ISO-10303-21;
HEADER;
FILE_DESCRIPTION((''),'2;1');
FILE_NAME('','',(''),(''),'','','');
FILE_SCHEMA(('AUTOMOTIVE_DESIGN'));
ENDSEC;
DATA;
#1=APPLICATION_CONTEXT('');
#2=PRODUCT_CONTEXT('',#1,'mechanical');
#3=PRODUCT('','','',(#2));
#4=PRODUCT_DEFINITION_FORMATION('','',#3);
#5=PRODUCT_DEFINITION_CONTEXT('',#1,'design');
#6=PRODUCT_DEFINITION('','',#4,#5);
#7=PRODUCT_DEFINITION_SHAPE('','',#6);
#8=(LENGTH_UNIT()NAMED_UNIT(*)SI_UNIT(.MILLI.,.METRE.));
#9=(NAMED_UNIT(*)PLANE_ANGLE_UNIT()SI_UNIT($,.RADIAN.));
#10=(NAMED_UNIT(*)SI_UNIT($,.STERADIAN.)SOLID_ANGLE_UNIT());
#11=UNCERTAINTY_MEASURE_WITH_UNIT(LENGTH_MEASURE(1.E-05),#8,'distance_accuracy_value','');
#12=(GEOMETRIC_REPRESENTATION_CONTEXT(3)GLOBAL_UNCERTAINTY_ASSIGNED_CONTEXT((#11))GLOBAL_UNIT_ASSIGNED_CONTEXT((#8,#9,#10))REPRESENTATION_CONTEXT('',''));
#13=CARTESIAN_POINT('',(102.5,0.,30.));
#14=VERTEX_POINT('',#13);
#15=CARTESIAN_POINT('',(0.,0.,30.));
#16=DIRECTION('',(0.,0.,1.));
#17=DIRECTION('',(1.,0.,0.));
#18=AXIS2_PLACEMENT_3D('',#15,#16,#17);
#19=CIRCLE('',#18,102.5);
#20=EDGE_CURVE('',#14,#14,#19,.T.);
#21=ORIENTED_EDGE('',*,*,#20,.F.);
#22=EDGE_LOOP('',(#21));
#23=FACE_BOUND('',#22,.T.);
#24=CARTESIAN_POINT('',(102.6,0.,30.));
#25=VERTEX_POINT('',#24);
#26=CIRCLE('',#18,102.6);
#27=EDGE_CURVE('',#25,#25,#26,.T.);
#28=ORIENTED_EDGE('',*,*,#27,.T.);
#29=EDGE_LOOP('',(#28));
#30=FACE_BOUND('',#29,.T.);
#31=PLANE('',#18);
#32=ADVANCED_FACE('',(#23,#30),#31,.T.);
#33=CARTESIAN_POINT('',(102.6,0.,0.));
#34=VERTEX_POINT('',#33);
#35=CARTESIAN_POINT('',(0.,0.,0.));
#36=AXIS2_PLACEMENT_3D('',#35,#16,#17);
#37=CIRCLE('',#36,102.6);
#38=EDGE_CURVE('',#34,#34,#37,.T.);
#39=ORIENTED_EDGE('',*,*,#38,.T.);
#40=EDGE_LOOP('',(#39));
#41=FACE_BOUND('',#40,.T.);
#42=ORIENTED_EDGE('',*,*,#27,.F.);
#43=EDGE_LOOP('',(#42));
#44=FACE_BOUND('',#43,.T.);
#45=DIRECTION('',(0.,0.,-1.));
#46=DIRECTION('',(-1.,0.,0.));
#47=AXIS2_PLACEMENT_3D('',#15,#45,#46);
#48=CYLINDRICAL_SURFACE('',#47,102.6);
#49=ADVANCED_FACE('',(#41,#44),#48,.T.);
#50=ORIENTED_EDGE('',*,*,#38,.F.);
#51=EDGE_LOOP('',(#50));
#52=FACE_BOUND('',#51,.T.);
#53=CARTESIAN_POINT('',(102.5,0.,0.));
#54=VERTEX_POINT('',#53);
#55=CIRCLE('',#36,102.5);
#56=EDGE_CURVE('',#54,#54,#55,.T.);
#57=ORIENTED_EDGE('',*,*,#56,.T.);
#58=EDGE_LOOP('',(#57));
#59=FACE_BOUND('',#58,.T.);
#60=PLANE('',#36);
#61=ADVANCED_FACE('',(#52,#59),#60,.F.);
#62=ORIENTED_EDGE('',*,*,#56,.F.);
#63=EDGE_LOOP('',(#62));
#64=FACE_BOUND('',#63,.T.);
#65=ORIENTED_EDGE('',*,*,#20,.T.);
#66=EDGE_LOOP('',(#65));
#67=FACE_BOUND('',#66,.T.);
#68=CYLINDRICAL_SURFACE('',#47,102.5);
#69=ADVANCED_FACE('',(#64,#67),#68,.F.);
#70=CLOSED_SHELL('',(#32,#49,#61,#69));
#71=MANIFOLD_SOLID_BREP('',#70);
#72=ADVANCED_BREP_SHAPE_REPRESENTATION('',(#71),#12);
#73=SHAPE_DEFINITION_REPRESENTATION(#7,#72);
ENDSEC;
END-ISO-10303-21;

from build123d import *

# Parameters (mm, degrees)
SKETCH_1_R      = 102.6
SKETCH_1_R_2    = 102.5
EXTRUDE_1_DEPTH = 30


with BuildPart() as part:
    # 草图1 → 凸台-拉伸1 (new body)
    with BuildSketch(Plane.XY):
        Circle(SKETCH_1_R)
        Circle(SKETCH_1_R_2, mode=Mode.SUBTRACT)
    extrude(amount=EXTRUDE_1_DEPTH)


solid = part.part
